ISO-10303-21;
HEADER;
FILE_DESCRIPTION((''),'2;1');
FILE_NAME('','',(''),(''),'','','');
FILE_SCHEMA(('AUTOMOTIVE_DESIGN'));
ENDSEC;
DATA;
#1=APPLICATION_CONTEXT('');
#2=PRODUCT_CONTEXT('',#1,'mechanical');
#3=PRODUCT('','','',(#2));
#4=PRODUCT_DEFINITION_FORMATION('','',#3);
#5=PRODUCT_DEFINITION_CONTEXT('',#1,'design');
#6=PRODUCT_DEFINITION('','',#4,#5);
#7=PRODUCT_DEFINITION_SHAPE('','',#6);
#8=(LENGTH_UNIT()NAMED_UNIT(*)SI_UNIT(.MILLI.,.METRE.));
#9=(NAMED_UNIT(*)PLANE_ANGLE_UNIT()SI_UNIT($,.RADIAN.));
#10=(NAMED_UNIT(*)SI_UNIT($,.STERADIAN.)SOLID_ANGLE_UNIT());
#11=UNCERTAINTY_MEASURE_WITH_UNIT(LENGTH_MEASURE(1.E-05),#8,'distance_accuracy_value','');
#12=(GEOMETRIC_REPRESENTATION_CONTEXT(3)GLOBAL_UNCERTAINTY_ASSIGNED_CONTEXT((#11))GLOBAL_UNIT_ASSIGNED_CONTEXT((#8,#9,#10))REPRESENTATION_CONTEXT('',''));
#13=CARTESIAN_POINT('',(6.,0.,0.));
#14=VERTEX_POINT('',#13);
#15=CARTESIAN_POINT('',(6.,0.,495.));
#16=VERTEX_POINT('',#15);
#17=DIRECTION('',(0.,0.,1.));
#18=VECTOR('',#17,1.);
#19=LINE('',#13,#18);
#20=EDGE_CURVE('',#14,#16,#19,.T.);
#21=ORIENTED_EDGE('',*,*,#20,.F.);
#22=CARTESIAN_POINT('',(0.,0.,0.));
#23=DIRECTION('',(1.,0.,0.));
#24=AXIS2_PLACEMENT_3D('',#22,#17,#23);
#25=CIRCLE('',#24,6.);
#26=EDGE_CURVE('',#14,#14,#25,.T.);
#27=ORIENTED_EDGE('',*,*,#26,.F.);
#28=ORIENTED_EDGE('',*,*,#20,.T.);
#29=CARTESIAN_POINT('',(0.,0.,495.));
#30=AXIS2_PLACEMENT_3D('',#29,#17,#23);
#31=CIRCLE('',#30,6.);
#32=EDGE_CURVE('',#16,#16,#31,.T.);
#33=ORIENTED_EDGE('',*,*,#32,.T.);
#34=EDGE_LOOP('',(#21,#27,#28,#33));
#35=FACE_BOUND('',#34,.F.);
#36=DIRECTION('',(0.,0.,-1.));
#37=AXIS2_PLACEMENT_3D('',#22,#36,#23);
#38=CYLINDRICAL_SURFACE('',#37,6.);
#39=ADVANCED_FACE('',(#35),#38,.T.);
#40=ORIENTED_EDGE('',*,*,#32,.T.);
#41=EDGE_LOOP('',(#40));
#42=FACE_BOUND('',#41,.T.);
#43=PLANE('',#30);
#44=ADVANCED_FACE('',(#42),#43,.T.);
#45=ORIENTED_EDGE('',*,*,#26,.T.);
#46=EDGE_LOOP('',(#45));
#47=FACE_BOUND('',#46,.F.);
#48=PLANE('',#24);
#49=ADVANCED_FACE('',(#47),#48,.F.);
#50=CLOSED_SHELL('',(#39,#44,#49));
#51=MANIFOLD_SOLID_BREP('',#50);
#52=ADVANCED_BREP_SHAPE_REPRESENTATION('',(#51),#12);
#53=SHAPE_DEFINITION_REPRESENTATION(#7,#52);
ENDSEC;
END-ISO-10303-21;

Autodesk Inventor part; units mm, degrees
ref_plane "YZ Plane" through (0, 0, 0) normal (1, 0, 0) x (0, 1, 0)
ref_plane "XZ Plane" through (0, 0, 0) normal (0, 1, 0) x (-1, 0, 0)
ref_plane "XY Plane" through (0, 0, 0) normal (0, 0, 1) x (1, 0, 0)
sketch "Szkic1" plane through (0, 0, 0) normal (0, 0, 1) x (1, 0, 0)
  circle A0 centre (0, 0) radius 6
  dimension "d0" = 12
extrude "Wyciągnięcie proste1" add sketch "Szkic1" along normal blind 495
properties part number "CUT_STEEL_12mmx495mm_Linear_Shaft"
